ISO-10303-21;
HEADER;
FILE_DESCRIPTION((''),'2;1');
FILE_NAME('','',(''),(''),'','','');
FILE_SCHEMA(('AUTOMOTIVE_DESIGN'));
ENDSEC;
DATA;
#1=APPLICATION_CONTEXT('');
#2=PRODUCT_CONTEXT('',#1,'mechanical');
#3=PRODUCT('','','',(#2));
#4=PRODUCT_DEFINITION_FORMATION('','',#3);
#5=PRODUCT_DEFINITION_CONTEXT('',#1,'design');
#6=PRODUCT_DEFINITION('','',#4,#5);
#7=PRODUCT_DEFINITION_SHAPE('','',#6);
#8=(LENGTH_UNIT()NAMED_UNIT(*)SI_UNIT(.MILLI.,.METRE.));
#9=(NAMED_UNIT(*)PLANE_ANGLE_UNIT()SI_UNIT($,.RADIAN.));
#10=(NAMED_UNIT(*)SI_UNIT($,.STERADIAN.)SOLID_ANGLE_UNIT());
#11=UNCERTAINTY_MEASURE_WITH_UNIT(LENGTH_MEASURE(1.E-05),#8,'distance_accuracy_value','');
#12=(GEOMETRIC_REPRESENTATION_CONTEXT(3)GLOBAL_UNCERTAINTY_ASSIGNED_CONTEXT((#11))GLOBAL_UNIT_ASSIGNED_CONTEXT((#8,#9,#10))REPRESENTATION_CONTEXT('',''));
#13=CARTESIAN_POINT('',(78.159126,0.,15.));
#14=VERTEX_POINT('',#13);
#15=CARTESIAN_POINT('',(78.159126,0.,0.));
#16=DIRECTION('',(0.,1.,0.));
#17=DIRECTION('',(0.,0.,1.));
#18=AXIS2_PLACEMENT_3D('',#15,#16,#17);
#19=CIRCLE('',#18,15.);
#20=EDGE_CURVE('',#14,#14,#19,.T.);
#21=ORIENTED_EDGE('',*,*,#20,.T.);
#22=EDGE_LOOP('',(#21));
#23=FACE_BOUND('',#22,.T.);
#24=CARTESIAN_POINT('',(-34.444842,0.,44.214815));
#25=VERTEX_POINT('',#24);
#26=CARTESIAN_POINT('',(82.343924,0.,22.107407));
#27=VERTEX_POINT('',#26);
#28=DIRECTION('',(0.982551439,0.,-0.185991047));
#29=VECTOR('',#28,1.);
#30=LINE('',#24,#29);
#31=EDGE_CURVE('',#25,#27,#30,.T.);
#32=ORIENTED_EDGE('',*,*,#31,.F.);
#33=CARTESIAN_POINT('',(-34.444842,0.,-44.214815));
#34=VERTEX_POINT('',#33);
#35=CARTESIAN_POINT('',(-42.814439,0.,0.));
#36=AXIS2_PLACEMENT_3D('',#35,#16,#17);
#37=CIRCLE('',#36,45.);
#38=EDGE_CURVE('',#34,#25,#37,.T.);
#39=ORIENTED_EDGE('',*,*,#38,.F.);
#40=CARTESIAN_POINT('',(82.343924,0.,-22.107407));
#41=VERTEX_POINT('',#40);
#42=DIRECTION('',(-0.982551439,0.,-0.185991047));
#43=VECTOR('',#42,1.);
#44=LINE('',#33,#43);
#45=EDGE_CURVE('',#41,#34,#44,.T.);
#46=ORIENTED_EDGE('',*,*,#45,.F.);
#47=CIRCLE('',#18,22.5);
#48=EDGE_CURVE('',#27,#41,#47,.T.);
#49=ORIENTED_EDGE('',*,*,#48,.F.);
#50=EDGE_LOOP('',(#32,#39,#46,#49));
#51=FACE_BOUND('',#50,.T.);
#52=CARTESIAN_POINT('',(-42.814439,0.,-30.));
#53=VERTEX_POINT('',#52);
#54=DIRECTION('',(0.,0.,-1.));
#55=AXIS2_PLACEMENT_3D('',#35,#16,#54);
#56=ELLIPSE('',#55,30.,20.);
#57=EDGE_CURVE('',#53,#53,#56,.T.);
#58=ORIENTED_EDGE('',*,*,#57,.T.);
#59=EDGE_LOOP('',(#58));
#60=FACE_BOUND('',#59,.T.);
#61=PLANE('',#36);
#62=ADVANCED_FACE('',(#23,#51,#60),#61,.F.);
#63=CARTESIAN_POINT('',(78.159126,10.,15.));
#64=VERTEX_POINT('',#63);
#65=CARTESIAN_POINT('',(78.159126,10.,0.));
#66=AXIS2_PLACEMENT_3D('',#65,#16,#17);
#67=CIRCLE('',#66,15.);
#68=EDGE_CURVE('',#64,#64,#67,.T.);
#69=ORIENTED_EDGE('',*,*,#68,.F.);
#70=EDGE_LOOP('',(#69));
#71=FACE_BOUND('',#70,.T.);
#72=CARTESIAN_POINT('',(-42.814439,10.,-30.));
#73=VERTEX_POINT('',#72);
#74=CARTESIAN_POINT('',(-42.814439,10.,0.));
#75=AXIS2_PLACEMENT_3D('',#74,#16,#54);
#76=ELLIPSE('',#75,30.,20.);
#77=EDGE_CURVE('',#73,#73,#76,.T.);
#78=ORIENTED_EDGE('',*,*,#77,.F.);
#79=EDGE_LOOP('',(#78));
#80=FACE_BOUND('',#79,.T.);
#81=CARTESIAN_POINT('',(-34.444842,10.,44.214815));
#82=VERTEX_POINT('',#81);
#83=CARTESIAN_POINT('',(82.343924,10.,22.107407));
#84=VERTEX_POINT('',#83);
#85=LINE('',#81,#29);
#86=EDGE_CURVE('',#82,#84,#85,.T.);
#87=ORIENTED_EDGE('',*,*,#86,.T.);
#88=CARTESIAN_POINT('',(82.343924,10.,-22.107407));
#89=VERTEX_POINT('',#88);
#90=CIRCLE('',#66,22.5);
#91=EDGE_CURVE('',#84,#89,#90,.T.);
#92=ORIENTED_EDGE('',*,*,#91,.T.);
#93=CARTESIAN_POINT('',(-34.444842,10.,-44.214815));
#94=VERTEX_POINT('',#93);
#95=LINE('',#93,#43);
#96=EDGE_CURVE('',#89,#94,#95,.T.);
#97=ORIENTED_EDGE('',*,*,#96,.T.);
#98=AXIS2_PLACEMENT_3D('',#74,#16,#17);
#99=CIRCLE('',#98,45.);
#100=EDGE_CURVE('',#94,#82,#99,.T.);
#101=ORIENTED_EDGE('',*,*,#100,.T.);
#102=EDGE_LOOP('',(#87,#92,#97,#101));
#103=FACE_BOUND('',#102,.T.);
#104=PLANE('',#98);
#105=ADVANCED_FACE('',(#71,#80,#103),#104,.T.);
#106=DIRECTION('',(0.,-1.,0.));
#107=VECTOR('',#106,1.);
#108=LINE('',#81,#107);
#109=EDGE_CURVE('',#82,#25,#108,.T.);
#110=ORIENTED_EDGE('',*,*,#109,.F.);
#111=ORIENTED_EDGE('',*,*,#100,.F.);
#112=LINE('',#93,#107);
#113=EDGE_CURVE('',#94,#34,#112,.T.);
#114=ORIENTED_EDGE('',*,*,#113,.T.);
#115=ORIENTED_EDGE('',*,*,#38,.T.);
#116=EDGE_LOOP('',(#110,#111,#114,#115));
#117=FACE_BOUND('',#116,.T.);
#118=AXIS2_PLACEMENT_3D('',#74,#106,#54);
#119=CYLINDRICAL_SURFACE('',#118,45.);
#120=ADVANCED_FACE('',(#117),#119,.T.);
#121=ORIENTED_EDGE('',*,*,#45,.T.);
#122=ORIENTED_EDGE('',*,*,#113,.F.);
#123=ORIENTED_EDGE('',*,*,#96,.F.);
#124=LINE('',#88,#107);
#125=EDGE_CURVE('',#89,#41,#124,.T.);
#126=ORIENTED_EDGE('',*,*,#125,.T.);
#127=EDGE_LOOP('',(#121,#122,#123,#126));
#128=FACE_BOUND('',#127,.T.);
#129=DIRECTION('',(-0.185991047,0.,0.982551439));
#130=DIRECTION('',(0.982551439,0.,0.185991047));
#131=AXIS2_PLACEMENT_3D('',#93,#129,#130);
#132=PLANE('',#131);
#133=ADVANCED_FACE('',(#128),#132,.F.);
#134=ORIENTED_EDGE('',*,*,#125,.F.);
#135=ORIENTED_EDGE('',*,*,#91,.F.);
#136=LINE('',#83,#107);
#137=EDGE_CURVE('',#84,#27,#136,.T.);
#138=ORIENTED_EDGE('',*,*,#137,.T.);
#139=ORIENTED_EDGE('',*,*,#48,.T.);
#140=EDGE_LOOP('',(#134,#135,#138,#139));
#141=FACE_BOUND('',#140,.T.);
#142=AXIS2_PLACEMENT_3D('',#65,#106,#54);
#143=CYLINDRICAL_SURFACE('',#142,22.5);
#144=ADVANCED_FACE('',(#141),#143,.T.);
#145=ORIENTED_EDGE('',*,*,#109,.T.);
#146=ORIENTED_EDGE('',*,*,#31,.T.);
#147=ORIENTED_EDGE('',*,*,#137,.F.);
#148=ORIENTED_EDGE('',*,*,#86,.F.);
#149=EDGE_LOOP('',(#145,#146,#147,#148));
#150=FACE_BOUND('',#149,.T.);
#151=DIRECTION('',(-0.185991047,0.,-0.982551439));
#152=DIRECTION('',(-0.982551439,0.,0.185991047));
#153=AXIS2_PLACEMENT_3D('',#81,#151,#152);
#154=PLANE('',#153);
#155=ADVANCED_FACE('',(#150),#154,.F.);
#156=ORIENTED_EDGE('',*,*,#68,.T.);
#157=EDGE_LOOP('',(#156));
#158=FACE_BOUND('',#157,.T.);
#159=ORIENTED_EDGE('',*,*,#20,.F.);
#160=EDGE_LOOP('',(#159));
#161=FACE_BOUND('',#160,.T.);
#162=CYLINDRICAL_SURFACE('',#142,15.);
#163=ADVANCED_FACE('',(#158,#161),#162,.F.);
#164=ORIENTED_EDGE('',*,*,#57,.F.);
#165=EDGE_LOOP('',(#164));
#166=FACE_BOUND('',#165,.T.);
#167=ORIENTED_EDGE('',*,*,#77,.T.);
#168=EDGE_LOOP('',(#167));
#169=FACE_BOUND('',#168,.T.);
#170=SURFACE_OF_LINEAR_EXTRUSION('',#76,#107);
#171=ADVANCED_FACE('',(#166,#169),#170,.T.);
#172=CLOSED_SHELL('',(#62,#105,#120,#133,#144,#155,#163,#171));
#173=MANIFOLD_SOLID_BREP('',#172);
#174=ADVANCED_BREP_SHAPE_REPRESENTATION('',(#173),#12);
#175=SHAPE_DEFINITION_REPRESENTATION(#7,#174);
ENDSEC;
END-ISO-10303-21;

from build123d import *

# Parameters (mm, degrees)
SKETCH1_R           = 15
SKETCH1_RX          = 30
SKETCH1_RY          = 20
BOSS_EXTRUDE1_DEPTH = 10


with BuildPart() as part:
    # Sketch1 → Boss-Extrude1 (new body)
    with BuildSketch(Plane(origin=(0, 0, 0), x_dir=(1, 0, 0), z_dir=(0, 1, 0))):
        with BuildLine():
            Line((-34.444842367, 44.214814759), (82.343924077, 22.10740738))
            ThreePointArc((82.343924077, 22.10740738), (100.659125522, 0), (82.343924077, -22.10740738))
            Line((82.343924077, -22.10740738), (-34.444842367, -44.214814759))
            ThreePointArc((-34.444842367, -44.214814759), (-87.814439477, 0), (-34.444842367, 44.214814759))
        make_face()
        with Locations(Location((78.159125522, 0, 0), (0, 0, 270))):
            Circle(SKETCH1_R, mode=Mode.SUBTRACT)
        with Locations(Location((-42.814439477, 0), (0, 0, 90))):
            Ellipse(SKETCH1_RX, SKETCH1_RY, mode=Mode.SUBTRACT)
    extrude(amount=BOSS_EXTRUDE1_DEPTH)


solid = part.part
